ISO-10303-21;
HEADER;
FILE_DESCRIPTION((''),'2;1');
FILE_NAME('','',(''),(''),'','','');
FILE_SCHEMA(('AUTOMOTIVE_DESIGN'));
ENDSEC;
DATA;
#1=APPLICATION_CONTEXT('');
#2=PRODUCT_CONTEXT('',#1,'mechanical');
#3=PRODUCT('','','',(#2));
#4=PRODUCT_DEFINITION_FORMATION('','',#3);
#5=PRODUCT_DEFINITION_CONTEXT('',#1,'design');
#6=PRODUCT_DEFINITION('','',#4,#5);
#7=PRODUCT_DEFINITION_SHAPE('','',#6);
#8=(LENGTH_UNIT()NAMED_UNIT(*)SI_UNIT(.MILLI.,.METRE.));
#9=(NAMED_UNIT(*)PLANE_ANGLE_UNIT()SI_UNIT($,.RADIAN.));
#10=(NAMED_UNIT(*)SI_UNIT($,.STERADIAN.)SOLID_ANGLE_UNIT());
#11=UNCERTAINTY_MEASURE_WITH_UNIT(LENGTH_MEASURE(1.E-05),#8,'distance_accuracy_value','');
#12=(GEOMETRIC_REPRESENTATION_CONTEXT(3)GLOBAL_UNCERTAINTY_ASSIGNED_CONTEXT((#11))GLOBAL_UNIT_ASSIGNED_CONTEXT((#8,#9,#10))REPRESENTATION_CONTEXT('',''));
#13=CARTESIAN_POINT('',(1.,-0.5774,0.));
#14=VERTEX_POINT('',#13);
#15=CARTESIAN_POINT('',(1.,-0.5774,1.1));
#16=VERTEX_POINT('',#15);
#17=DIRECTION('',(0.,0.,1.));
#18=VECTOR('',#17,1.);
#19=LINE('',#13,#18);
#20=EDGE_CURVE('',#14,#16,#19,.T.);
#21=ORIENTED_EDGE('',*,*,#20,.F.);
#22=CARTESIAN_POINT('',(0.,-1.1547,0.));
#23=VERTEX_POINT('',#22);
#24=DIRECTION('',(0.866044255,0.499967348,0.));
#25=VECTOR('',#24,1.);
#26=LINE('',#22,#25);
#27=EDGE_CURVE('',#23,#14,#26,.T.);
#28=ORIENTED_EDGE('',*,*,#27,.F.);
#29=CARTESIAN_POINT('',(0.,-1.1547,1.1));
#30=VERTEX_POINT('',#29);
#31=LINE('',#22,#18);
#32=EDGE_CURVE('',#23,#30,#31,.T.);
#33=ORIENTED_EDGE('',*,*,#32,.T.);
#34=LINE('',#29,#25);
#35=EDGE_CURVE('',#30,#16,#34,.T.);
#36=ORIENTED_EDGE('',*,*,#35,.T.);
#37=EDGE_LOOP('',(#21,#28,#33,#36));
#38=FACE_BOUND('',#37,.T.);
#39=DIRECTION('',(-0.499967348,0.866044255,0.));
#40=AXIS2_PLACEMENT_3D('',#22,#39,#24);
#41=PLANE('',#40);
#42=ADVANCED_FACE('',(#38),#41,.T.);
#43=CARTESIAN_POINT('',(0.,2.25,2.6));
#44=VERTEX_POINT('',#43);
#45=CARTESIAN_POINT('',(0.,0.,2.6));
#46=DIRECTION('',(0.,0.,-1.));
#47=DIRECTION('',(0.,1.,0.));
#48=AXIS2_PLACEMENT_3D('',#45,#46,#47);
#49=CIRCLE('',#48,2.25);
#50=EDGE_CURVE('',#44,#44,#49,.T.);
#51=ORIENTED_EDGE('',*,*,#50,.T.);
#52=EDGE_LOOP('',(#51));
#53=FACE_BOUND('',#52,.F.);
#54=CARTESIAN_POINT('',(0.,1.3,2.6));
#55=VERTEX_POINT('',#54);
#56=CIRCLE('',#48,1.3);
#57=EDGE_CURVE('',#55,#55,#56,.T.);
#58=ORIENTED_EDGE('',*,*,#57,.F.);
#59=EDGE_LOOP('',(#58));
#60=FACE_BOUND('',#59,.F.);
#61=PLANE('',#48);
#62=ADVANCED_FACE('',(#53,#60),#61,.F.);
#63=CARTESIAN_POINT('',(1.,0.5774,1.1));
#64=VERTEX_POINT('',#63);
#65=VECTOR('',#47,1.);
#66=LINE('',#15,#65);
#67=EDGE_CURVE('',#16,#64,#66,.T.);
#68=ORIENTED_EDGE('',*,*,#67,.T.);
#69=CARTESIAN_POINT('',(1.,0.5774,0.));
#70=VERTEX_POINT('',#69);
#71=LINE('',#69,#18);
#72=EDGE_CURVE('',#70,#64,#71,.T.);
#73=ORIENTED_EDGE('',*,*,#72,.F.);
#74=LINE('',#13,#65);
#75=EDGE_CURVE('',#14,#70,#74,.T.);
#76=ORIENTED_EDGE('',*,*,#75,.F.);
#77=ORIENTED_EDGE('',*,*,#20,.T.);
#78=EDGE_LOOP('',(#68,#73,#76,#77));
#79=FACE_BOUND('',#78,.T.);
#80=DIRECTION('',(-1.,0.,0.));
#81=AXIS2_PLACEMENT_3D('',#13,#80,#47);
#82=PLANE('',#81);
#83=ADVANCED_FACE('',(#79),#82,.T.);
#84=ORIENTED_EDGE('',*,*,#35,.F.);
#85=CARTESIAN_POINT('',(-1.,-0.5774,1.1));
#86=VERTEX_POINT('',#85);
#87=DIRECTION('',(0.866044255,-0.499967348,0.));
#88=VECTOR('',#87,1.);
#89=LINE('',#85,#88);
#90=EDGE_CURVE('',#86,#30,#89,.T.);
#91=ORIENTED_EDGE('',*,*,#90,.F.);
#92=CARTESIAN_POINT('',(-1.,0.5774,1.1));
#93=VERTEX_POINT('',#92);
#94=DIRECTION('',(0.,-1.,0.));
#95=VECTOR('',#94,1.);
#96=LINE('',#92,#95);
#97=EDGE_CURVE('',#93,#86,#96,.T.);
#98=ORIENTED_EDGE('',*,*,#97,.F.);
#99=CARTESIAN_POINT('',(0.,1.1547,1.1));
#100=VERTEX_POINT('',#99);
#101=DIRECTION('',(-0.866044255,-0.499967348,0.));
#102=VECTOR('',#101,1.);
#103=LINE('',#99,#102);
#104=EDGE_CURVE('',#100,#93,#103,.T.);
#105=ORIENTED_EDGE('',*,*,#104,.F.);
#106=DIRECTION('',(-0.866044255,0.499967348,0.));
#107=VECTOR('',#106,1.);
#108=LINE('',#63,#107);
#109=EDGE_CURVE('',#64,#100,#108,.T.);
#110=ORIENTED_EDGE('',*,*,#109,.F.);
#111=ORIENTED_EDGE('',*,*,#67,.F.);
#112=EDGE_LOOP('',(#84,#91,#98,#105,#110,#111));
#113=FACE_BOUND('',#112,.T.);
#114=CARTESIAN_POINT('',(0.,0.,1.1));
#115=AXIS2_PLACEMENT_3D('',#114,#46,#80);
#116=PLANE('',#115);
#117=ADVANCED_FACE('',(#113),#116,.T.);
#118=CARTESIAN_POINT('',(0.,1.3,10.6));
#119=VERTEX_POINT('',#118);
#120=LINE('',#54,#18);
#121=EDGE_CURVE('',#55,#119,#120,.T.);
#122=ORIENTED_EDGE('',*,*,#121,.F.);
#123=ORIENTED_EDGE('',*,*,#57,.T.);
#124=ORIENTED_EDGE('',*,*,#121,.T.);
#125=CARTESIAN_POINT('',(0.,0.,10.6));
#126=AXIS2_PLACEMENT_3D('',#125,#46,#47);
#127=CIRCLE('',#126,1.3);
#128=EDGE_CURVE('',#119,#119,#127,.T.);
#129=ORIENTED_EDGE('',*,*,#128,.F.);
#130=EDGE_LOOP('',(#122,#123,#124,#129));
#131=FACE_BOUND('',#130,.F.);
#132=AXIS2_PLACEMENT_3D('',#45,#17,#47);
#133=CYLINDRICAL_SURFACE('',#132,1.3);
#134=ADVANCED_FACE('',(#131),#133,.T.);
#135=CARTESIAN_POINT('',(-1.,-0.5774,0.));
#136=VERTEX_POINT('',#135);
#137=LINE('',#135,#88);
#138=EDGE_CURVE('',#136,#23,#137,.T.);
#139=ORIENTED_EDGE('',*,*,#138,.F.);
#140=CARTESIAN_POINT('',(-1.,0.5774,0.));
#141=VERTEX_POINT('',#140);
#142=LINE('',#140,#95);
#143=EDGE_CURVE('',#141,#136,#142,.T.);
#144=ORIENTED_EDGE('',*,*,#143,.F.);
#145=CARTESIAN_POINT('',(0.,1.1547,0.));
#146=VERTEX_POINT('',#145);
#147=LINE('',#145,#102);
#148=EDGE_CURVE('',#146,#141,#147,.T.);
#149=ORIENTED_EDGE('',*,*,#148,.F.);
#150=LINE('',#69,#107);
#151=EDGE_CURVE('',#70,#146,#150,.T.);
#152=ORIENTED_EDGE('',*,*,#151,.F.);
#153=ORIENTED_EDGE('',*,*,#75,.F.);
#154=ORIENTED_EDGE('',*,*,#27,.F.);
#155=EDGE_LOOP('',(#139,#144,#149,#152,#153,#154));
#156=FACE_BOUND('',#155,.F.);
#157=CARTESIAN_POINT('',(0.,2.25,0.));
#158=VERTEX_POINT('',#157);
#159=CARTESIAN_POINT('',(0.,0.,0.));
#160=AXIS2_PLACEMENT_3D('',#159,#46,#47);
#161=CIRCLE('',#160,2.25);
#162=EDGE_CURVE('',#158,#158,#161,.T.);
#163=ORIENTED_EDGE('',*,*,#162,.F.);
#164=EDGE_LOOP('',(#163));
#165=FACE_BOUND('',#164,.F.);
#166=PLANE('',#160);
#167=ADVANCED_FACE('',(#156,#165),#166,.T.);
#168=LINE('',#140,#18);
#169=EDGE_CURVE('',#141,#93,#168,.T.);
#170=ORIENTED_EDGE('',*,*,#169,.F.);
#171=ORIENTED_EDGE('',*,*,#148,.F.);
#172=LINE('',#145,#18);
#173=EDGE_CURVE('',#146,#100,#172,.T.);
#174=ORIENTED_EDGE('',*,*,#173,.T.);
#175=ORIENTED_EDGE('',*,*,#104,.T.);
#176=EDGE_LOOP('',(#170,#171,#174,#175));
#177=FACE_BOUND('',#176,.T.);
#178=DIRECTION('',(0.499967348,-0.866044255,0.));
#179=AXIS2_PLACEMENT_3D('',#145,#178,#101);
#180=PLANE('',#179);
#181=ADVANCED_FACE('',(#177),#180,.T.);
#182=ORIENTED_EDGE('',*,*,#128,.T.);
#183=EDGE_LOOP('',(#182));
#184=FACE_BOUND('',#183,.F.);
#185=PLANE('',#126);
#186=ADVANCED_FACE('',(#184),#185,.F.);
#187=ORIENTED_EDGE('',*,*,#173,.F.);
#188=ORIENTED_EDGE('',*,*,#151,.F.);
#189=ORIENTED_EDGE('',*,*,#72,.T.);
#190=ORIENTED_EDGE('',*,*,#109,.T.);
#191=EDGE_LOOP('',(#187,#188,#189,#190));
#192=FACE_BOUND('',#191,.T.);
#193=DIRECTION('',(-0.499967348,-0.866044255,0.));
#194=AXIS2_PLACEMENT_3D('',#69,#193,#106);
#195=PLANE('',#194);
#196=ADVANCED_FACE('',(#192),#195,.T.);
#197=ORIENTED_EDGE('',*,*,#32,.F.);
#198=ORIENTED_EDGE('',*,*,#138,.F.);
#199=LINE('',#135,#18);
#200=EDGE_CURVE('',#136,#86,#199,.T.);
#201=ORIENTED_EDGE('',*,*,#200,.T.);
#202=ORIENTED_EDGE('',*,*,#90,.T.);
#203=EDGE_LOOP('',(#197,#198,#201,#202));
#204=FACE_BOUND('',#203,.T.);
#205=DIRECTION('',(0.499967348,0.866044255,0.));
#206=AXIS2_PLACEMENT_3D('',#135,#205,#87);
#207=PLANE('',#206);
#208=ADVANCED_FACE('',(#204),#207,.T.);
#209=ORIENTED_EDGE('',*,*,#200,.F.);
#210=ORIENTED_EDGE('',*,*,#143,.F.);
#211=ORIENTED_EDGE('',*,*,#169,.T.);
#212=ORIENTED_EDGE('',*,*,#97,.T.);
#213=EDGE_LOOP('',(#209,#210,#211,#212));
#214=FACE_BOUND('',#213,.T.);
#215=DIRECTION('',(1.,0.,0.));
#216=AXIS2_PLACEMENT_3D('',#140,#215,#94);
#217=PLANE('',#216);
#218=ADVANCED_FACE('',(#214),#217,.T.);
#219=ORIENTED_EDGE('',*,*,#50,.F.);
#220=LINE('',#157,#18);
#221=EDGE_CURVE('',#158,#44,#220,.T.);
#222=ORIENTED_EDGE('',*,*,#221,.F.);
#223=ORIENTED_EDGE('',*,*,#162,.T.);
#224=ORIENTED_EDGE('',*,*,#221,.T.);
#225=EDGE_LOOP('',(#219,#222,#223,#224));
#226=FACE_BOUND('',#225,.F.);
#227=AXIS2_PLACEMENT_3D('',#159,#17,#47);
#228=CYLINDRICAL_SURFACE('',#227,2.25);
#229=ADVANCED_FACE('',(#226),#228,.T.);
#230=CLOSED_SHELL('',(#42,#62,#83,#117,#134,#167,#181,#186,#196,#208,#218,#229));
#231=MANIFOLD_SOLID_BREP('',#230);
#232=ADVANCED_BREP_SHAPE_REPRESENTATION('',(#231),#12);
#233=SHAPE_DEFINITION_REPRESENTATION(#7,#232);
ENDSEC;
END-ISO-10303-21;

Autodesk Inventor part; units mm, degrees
ref_plane "YZ Plane" through (0, 0, 0) normal (1, 0, 0) x (0, 1, 0)
ref_plane "XZ Plane" through (0, 0, 0) normal (0, 1, 0) x (-1, 0, 0)
ref_plane "XY Plane" through (0, 0, 0) normal (0, 0, 1) x (1, 0, 0)
sketch "スケッチ1" plane through (0, 0, 0) normal (1, 0, 0) x (0, 1, 0)
  line L0 (0, 10.6) -> (0, 0)
  line L1 (0, 0) -> (2.25, 0)
  line L2 (2.25, 0) -> (2.25, 2.6)
  line L3 (2.25, 2.6) -> (1.3, 2.6)
  line L4 (1.3, 2.6) -> (1.3, 10.6)
  line L5 (1.3, 10.6) -> (0, 10.6)
  dimension "d2" = 2.6
  dimension "d10" = 8
  dimension "d11" = 2.6
  dimension "d12" = 4.5
revolve "回転1" add sketch "スケッチ1" angle 360 about axis through (0, 0, 10.6) along (0, 0, -1)
thread "ねじ1" size "M2.6x0.45" class "6g" standard "ANSI Metric M Profile" full length
sketch "スケッチ2" plane through (0, 0, 0) normal (0, 0, -1) x (-1, 0, 0)
  line L0 (0, 1.1547) -> (1, 0.5774)
  line L1 (1, 0.5774) -> (1, -0.5774)
  line L2 (1, -0.5774) -> (0, -1.1547)
  line L3 (0, -1.1547) -> (-1, -0.5774)
  line L4 (-1, -0.5774) -> (-1, 0.5774)
  line L5 (-1, 0.5774) -> (0, 1.1547)
  circle A0 centre (0, 0) radius 2.25 projected
  line L6 (0, 2.25) -> (0, -2.25) construction
  dimension "d7" = 2
extrude "押し出し1" cut sketch "スケッチ2" against normal blind 1.1 contours L0 L1 L2 L3 L4 L5
properties part number "M2_6-8" material "ステンレス鋼 AISI 304"
